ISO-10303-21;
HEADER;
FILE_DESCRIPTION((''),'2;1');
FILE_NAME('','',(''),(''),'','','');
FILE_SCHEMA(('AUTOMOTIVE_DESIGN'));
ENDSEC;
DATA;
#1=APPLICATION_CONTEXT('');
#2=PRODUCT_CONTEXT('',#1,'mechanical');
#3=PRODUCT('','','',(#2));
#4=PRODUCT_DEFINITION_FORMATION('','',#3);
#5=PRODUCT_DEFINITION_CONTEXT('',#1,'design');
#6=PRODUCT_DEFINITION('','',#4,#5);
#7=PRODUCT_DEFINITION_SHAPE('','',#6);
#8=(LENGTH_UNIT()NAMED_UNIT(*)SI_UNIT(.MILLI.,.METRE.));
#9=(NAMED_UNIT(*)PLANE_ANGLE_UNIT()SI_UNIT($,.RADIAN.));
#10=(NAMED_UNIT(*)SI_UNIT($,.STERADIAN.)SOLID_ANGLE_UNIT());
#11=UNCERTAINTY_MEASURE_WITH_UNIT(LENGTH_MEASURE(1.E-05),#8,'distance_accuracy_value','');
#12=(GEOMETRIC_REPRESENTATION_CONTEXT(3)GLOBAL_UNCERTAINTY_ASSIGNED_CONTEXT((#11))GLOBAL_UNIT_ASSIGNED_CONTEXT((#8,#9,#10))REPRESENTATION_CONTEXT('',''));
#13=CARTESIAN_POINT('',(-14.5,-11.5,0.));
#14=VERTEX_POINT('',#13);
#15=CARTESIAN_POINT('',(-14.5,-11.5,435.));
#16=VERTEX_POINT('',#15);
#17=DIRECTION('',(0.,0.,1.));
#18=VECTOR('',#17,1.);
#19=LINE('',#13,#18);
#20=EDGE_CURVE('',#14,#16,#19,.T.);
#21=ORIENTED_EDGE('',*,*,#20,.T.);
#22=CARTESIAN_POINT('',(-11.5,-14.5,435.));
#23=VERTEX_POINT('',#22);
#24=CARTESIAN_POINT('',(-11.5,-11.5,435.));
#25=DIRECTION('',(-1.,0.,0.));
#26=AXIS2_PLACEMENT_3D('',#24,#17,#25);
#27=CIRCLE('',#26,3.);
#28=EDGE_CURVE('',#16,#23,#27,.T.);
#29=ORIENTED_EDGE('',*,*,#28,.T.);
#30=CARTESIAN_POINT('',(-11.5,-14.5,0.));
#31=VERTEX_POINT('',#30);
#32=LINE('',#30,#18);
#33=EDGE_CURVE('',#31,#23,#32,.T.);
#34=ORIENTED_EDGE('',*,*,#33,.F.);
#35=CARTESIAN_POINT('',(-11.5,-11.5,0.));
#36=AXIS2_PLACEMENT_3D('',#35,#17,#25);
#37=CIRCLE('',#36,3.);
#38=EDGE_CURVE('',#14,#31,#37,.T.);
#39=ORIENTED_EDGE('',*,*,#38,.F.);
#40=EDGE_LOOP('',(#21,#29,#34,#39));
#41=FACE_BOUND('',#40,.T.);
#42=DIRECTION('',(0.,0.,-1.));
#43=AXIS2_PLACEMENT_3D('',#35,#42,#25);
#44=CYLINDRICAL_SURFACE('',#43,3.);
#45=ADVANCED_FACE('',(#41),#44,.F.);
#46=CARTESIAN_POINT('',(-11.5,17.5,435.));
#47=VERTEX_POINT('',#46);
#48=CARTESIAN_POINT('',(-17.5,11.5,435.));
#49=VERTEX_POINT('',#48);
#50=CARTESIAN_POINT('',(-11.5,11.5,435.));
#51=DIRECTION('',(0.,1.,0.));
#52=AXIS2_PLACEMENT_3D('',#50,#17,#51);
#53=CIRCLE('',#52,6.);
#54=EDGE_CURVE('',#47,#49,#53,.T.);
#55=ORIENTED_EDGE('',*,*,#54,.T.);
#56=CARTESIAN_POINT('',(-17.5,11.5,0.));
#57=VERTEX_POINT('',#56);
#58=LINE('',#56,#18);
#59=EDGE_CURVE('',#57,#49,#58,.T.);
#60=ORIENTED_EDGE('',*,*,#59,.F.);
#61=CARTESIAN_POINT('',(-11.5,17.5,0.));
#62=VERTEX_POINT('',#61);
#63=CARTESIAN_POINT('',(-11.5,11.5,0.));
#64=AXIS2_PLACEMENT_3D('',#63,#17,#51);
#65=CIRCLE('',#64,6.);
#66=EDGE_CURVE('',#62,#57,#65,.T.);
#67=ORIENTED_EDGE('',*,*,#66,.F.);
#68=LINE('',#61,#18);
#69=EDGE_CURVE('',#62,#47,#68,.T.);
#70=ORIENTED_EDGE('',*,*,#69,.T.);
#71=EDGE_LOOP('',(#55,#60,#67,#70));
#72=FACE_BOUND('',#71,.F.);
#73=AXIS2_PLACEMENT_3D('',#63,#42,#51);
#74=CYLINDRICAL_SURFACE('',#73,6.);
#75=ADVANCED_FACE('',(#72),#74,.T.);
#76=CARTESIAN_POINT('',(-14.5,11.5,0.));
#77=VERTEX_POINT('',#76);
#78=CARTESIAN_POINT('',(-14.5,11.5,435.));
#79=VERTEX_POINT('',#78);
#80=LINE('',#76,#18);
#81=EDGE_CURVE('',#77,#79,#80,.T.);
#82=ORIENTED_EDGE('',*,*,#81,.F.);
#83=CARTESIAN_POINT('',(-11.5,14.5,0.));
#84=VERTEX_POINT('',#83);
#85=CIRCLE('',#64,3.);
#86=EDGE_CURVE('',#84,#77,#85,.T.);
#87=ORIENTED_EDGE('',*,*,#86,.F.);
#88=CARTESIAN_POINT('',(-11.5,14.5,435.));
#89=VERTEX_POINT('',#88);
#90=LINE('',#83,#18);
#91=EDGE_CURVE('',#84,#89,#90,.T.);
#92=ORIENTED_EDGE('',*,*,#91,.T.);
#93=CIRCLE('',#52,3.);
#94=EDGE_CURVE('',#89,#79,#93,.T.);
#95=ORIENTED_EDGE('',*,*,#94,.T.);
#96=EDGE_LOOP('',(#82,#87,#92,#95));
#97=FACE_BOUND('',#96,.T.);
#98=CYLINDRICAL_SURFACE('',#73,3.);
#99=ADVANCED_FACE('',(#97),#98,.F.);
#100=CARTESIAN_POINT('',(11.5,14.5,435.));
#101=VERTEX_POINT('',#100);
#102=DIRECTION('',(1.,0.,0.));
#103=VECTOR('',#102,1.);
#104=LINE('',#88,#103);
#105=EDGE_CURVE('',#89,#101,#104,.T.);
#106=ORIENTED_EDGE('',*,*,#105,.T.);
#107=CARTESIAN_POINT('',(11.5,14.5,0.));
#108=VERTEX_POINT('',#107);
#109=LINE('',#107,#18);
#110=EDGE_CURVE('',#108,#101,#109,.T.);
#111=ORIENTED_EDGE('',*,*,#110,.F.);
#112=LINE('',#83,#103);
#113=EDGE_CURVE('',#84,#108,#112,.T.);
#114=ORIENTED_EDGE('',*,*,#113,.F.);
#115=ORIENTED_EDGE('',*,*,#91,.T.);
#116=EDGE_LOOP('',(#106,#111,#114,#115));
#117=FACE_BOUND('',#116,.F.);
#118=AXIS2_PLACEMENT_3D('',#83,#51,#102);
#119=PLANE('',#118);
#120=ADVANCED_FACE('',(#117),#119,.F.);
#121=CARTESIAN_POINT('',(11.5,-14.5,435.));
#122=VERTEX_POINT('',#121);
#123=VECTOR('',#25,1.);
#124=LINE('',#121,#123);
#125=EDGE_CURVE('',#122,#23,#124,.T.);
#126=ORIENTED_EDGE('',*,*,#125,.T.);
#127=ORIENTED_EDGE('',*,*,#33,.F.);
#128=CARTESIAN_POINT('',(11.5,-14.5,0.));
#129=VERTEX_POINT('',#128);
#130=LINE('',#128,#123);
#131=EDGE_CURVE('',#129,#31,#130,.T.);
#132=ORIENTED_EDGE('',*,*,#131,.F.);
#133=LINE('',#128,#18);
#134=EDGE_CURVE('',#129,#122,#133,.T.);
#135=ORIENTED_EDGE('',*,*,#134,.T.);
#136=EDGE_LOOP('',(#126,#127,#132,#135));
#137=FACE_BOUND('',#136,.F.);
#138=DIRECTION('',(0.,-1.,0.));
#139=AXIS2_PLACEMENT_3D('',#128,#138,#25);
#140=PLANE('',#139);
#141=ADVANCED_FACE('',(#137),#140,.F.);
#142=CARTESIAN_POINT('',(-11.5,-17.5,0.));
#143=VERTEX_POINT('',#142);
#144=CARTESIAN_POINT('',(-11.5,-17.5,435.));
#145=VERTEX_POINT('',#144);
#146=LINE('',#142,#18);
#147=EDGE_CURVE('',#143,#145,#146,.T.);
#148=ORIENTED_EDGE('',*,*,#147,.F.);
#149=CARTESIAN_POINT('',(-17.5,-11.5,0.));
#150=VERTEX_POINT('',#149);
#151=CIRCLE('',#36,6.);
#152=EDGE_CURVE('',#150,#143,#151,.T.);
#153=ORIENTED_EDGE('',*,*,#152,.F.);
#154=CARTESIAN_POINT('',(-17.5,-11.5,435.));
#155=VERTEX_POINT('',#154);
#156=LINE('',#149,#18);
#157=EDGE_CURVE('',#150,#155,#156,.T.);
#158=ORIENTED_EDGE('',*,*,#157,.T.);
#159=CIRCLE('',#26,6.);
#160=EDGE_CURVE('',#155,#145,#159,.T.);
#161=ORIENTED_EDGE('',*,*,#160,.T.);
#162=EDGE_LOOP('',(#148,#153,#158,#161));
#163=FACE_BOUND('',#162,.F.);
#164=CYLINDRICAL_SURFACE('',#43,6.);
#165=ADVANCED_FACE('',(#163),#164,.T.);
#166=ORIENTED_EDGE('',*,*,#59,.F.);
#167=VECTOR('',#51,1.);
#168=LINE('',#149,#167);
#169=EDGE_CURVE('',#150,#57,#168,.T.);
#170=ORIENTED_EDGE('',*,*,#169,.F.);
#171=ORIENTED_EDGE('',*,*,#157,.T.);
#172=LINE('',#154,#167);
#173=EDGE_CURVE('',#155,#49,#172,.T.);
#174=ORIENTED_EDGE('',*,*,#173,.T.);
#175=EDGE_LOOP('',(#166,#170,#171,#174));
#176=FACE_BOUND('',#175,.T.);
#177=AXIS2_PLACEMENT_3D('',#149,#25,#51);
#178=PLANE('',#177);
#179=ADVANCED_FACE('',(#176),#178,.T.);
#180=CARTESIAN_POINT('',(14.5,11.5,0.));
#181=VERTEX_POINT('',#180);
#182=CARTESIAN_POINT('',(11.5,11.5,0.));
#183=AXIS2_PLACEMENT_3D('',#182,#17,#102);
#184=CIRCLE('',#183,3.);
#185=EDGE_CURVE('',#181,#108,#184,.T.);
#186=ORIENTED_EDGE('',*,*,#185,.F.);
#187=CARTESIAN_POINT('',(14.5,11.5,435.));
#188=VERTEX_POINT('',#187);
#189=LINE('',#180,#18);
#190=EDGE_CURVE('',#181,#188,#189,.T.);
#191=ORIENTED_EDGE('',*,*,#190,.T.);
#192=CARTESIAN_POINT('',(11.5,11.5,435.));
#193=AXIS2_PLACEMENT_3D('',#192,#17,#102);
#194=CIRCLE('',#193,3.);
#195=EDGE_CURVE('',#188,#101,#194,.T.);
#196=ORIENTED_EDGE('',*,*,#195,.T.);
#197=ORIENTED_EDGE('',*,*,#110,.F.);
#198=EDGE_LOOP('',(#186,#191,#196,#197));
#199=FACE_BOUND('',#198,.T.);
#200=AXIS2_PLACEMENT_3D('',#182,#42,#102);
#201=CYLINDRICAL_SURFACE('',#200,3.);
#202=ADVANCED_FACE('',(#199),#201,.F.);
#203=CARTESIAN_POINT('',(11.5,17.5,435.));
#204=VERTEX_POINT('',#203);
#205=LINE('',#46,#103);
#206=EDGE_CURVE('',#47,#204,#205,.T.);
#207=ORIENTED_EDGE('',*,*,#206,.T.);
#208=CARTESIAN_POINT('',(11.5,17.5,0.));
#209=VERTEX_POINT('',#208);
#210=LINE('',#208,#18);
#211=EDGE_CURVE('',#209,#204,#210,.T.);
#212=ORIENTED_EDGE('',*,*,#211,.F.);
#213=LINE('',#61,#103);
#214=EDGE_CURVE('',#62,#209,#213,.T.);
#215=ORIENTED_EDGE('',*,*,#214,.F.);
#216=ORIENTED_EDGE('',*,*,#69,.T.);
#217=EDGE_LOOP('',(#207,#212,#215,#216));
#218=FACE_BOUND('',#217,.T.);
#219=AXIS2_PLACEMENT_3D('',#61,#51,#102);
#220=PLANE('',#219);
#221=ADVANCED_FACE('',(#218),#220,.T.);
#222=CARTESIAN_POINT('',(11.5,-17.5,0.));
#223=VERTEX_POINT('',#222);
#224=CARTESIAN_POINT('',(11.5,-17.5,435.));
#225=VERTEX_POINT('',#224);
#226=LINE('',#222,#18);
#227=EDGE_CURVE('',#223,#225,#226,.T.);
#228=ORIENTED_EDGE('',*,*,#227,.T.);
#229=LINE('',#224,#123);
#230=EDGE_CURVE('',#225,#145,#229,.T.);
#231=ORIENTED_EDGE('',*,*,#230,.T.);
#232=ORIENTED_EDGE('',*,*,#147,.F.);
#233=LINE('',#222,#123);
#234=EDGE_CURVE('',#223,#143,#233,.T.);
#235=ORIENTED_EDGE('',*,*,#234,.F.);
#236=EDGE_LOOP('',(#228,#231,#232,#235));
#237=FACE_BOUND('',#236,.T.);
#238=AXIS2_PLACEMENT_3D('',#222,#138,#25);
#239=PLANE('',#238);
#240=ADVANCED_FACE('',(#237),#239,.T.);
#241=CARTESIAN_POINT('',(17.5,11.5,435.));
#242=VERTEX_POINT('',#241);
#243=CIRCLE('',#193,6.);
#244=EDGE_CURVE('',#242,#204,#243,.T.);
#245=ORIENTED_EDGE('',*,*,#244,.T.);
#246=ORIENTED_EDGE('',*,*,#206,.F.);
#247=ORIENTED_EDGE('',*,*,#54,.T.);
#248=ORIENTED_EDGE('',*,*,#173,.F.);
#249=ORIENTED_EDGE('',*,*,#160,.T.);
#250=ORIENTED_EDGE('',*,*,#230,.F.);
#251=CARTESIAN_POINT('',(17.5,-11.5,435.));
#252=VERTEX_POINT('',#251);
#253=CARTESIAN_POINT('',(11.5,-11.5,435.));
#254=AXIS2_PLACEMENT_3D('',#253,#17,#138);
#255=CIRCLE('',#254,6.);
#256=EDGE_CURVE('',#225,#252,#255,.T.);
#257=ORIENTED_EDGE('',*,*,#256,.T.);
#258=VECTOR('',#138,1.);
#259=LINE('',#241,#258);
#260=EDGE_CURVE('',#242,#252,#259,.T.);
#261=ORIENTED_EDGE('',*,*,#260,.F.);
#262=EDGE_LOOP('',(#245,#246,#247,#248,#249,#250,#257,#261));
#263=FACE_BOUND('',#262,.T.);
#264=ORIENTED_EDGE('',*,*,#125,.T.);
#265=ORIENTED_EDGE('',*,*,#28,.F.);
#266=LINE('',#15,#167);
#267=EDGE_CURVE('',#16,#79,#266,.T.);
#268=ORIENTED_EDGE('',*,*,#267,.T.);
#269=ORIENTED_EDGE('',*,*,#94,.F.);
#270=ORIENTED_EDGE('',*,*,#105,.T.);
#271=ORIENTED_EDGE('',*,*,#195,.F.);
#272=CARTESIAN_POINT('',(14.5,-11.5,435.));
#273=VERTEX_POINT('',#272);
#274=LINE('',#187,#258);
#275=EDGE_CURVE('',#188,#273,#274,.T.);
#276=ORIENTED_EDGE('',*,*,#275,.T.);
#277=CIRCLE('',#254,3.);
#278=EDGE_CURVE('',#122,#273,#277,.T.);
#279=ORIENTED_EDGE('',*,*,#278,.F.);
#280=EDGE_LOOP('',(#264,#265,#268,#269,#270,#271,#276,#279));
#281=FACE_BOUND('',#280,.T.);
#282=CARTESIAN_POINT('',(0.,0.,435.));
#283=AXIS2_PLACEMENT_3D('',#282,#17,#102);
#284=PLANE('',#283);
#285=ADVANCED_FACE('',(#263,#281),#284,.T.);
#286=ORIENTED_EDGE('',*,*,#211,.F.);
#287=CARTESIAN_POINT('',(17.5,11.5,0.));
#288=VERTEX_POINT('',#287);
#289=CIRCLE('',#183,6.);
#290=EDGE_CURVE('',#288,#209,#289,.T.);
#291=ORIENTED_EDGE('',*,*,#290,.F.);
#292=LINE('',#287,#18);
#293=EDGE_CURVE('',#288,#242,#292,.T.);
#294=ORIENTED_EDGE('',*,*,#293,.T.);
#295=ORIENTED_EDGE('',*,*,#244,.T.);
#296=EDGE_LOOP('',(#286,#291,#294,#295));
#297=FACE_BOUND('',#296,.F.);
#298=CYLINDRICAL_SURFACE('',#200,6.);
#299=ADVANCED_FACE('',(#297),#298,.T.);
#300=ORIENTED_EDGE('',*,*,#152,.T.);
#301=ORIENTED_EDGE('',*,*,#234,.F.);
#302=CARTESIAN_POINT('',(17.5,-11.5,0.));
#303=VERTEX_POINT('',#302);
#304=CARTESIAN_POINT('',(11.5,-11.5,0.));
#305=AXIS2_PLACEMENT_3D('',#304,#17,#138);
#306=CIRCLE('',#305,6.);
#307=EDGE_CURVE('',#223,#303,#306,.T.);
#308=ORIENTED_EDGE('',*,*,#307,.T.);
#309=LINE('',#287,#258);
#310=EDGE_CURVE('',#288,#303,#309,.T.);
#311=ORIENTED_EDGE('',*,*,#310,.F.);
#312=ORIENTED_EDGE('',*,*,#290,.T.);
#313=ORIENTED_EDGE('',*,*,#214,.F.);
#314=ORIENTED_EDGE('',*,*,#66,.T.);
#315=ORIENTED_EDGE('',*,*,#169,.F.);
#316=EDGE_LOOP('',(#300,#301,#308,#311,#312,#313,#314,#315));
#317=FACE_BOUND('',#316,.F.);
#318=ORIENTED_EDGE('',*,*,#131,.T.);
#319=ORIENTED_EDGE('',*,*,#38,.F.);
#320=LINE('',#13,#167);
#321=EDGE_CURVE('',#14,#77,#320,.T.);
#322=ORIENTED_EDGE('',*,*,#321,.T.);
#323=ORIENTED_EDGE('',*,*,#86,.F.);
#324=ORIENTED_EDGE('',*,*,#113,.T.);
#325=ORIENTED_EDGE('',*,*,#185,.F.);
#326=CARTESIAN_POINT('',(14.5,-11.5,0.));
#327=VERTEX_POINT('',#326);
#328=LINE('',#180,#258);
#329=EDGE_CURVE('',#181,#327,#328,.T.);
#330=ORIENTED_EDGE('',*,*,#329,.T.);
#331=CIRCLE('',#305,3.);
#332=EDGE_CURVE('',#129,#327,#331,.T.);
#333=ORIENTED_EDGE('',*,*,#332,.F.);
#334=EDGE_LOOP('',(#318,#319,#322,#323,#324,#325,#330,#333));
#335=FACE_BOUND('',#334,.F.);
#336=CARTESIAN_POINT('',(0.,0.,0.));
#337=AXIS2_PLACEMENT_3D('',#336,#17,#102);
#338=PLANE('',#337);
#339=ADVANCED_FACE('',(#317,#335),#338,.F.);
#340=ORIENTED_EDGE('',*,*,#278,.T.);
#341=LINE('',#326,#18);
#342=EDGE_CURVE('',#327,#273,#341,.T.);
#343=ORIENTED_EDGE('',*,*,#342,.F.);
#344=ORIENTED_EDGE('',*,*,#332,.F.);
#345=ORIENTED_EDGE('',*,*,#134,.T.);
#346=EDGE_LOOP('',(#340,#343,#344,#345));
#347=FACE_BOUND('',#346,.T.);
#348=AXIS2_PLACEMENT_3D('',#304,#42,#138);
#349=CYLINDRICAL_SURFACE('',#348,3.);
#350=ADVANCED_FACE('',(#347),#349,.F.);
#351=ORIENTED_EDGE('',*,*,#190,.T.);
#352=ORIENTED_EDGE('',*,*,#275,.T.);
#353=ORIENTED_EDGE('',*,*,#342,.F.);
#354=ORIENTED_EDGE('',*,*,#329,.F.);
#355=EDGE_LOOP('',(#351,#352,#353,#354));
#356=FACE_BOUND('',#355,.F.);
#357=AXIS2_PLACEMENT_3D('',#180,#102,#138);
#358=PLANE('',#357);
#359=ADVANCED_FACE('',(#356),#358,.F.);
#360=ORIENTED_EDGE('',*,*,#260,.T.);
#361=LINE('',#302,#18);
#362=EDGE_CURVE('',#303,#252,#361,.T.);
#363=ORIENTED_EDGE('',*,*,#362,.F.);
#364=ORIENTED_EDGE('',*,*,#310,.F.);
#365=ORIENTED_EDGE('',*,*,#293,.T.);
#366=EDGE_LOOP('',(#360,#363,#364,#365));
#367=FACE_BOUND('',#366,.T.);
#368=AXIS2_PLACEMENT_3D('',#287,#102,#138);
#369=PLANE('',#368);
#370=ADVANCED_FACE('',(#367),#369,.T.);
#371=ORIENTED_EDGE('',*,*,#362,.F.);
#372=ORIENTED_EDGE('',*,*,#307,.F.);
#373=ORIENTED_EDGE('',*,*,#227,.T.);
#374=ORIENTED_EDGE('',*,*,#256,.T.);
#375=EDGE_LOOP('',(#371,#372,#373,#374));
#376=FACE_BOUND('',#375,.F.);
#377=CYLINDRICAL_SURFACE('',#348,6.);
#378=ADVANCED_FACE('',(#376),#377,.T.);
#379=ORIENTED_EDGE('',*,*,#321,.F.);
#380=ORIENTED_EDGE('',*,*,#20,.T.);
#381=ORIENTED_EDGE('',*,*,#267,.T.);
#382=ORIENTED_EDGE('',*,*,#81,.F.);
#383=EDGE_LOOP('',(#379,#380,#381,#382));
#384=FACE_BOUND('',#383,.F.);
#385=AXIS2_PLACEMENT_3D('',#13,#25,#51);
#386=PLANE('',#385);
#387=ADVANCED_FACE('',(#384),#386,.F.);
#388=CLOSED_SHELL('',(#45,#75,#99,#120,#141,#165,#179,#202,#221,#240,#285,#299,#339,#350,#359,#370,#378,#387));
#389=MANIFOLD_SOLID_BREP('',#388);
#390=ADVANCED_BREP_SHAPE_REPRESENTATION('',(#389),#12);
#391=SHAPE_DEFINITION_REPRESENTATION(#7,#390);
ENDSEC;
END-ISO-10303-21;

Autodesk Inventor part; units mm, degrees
ref_plane "YZ Plane" through (0, 0, 0) normal (1, 0, 0) x (0, 1, 0)
ref_plane "Počáteční rovina" through (0, 0, 0) normal (0, 0, 1) x (1, 0, 0)
ref_plane "Koncová rovina" through (0, 0, 435) normal (0, 0, 1) x (1, 0, 0)
sketch "Náčrt1" plane through (0, 0, 0) normal (0, 0, 1) x (1, 0, 0)
  line L0 (-11.5, 17.5) -> (11.5, 17.5)
  line L1 (17.5, 11.5) -> (17.5, -11.5)
  line L2 (11.5, -17.5) -> (-11.5, -17.5)
  line L3 (-17.5, -11.5) -> (-17.5, 11.5)
  arc A0 (-11.5, 17.5) -> (-17.5, 11.5) centre (-11.5, 11.5) ccw
  arc A1 (17.5, 11.5) -> (11.5, 17.5) centre (11.5, 11.5) ccw
  arc A2 (11.5, -17.5) -> (17.5, -11.5) centre (11.5, -11.5) ccw
  arc A3 (-17.5, -11.5) -> (-11.5, -17.5) centre (-11.5, -11.5) ccw
  line L4 (-21.8698, 0) -> (21.8698, 0) construction
  line L5 (0, -21.8698) -> (0, 21.8698) construction
  arc A4 (-11.5, 14.5) -> (-14.5, 11.5) centre (-11.5, 11.5) ccw
  line L6 (-11.5, 14.5) -> (11.5, 14.5)
  arc A5 (14.5, 11.5) -> (11.5, 14.5) centre (11.5, 11.5) ccw
  line L7 (14.5, 11.5) -> (14.5, -11.5)
  arc A6 (11.5, -14.5) -> (14.5, -11.5) centre (11.5, -11.5) ccw
  line L8 (11.5, -14.5) -> (-11.5, -14.5)
  arc A7 (-14.5, -11.5) -> (-11.5, -14.5) centre (-11.5, -11.5) ccw
  line L9 (-14.5, -11.5) -> (-14.5, 11.5)
  point P0 (-17.5, 17.5)
  point P1 (17.5, -17.5)
  point P2 (17.5, 17.5)
  dimension "b" = 35
  dimension "msp_r" = 6
  dimension "d8" = 17.5
  dimension "d9" = 17.5
  dimension "d10" = 3
extrude "Těleso" add sketch "Náčrt1" along normal up to surface (435 mm away) from surface at 0
sketch "Sketch2" plane through (0, 0, 0) normal (0, 0, 1) x (1, 0, 0)
  line L0 (0, 0) -> (10, 0)
ref_plane "Work Plane3" through (0, 0, 0) normal (0, -1, 0) x (1, 0, 0)
sketch "Sketch3" plane through (0, 0, 0) normal (0, -1, 0) x (1, 0, 0)
  line L0 (-2, 0) -> (12, 0)
  line L1 (-2, 435) -> (12, 435)
  dimension "d14" = 435
equation "\"msp_r\" = 2 * ParT"
equation "\"d8\" = d9"
equation "\"d9\" = 0.5 * b"
equation "\"d10\" = ParT"
equation "\"G_OFFSET_START\" = 0"
equation "\"G_OFFSET_END\" = 0"
equation "\"d12\" = G_OFFSET_END + B_L"
equation "\"G_L\" = d14"
equation "\"B_L\" = 435"
equation "\"ParT\" = 3"
properties part number "CSN 426935 - 35x35x3-435" material "Nerezová ocel"
